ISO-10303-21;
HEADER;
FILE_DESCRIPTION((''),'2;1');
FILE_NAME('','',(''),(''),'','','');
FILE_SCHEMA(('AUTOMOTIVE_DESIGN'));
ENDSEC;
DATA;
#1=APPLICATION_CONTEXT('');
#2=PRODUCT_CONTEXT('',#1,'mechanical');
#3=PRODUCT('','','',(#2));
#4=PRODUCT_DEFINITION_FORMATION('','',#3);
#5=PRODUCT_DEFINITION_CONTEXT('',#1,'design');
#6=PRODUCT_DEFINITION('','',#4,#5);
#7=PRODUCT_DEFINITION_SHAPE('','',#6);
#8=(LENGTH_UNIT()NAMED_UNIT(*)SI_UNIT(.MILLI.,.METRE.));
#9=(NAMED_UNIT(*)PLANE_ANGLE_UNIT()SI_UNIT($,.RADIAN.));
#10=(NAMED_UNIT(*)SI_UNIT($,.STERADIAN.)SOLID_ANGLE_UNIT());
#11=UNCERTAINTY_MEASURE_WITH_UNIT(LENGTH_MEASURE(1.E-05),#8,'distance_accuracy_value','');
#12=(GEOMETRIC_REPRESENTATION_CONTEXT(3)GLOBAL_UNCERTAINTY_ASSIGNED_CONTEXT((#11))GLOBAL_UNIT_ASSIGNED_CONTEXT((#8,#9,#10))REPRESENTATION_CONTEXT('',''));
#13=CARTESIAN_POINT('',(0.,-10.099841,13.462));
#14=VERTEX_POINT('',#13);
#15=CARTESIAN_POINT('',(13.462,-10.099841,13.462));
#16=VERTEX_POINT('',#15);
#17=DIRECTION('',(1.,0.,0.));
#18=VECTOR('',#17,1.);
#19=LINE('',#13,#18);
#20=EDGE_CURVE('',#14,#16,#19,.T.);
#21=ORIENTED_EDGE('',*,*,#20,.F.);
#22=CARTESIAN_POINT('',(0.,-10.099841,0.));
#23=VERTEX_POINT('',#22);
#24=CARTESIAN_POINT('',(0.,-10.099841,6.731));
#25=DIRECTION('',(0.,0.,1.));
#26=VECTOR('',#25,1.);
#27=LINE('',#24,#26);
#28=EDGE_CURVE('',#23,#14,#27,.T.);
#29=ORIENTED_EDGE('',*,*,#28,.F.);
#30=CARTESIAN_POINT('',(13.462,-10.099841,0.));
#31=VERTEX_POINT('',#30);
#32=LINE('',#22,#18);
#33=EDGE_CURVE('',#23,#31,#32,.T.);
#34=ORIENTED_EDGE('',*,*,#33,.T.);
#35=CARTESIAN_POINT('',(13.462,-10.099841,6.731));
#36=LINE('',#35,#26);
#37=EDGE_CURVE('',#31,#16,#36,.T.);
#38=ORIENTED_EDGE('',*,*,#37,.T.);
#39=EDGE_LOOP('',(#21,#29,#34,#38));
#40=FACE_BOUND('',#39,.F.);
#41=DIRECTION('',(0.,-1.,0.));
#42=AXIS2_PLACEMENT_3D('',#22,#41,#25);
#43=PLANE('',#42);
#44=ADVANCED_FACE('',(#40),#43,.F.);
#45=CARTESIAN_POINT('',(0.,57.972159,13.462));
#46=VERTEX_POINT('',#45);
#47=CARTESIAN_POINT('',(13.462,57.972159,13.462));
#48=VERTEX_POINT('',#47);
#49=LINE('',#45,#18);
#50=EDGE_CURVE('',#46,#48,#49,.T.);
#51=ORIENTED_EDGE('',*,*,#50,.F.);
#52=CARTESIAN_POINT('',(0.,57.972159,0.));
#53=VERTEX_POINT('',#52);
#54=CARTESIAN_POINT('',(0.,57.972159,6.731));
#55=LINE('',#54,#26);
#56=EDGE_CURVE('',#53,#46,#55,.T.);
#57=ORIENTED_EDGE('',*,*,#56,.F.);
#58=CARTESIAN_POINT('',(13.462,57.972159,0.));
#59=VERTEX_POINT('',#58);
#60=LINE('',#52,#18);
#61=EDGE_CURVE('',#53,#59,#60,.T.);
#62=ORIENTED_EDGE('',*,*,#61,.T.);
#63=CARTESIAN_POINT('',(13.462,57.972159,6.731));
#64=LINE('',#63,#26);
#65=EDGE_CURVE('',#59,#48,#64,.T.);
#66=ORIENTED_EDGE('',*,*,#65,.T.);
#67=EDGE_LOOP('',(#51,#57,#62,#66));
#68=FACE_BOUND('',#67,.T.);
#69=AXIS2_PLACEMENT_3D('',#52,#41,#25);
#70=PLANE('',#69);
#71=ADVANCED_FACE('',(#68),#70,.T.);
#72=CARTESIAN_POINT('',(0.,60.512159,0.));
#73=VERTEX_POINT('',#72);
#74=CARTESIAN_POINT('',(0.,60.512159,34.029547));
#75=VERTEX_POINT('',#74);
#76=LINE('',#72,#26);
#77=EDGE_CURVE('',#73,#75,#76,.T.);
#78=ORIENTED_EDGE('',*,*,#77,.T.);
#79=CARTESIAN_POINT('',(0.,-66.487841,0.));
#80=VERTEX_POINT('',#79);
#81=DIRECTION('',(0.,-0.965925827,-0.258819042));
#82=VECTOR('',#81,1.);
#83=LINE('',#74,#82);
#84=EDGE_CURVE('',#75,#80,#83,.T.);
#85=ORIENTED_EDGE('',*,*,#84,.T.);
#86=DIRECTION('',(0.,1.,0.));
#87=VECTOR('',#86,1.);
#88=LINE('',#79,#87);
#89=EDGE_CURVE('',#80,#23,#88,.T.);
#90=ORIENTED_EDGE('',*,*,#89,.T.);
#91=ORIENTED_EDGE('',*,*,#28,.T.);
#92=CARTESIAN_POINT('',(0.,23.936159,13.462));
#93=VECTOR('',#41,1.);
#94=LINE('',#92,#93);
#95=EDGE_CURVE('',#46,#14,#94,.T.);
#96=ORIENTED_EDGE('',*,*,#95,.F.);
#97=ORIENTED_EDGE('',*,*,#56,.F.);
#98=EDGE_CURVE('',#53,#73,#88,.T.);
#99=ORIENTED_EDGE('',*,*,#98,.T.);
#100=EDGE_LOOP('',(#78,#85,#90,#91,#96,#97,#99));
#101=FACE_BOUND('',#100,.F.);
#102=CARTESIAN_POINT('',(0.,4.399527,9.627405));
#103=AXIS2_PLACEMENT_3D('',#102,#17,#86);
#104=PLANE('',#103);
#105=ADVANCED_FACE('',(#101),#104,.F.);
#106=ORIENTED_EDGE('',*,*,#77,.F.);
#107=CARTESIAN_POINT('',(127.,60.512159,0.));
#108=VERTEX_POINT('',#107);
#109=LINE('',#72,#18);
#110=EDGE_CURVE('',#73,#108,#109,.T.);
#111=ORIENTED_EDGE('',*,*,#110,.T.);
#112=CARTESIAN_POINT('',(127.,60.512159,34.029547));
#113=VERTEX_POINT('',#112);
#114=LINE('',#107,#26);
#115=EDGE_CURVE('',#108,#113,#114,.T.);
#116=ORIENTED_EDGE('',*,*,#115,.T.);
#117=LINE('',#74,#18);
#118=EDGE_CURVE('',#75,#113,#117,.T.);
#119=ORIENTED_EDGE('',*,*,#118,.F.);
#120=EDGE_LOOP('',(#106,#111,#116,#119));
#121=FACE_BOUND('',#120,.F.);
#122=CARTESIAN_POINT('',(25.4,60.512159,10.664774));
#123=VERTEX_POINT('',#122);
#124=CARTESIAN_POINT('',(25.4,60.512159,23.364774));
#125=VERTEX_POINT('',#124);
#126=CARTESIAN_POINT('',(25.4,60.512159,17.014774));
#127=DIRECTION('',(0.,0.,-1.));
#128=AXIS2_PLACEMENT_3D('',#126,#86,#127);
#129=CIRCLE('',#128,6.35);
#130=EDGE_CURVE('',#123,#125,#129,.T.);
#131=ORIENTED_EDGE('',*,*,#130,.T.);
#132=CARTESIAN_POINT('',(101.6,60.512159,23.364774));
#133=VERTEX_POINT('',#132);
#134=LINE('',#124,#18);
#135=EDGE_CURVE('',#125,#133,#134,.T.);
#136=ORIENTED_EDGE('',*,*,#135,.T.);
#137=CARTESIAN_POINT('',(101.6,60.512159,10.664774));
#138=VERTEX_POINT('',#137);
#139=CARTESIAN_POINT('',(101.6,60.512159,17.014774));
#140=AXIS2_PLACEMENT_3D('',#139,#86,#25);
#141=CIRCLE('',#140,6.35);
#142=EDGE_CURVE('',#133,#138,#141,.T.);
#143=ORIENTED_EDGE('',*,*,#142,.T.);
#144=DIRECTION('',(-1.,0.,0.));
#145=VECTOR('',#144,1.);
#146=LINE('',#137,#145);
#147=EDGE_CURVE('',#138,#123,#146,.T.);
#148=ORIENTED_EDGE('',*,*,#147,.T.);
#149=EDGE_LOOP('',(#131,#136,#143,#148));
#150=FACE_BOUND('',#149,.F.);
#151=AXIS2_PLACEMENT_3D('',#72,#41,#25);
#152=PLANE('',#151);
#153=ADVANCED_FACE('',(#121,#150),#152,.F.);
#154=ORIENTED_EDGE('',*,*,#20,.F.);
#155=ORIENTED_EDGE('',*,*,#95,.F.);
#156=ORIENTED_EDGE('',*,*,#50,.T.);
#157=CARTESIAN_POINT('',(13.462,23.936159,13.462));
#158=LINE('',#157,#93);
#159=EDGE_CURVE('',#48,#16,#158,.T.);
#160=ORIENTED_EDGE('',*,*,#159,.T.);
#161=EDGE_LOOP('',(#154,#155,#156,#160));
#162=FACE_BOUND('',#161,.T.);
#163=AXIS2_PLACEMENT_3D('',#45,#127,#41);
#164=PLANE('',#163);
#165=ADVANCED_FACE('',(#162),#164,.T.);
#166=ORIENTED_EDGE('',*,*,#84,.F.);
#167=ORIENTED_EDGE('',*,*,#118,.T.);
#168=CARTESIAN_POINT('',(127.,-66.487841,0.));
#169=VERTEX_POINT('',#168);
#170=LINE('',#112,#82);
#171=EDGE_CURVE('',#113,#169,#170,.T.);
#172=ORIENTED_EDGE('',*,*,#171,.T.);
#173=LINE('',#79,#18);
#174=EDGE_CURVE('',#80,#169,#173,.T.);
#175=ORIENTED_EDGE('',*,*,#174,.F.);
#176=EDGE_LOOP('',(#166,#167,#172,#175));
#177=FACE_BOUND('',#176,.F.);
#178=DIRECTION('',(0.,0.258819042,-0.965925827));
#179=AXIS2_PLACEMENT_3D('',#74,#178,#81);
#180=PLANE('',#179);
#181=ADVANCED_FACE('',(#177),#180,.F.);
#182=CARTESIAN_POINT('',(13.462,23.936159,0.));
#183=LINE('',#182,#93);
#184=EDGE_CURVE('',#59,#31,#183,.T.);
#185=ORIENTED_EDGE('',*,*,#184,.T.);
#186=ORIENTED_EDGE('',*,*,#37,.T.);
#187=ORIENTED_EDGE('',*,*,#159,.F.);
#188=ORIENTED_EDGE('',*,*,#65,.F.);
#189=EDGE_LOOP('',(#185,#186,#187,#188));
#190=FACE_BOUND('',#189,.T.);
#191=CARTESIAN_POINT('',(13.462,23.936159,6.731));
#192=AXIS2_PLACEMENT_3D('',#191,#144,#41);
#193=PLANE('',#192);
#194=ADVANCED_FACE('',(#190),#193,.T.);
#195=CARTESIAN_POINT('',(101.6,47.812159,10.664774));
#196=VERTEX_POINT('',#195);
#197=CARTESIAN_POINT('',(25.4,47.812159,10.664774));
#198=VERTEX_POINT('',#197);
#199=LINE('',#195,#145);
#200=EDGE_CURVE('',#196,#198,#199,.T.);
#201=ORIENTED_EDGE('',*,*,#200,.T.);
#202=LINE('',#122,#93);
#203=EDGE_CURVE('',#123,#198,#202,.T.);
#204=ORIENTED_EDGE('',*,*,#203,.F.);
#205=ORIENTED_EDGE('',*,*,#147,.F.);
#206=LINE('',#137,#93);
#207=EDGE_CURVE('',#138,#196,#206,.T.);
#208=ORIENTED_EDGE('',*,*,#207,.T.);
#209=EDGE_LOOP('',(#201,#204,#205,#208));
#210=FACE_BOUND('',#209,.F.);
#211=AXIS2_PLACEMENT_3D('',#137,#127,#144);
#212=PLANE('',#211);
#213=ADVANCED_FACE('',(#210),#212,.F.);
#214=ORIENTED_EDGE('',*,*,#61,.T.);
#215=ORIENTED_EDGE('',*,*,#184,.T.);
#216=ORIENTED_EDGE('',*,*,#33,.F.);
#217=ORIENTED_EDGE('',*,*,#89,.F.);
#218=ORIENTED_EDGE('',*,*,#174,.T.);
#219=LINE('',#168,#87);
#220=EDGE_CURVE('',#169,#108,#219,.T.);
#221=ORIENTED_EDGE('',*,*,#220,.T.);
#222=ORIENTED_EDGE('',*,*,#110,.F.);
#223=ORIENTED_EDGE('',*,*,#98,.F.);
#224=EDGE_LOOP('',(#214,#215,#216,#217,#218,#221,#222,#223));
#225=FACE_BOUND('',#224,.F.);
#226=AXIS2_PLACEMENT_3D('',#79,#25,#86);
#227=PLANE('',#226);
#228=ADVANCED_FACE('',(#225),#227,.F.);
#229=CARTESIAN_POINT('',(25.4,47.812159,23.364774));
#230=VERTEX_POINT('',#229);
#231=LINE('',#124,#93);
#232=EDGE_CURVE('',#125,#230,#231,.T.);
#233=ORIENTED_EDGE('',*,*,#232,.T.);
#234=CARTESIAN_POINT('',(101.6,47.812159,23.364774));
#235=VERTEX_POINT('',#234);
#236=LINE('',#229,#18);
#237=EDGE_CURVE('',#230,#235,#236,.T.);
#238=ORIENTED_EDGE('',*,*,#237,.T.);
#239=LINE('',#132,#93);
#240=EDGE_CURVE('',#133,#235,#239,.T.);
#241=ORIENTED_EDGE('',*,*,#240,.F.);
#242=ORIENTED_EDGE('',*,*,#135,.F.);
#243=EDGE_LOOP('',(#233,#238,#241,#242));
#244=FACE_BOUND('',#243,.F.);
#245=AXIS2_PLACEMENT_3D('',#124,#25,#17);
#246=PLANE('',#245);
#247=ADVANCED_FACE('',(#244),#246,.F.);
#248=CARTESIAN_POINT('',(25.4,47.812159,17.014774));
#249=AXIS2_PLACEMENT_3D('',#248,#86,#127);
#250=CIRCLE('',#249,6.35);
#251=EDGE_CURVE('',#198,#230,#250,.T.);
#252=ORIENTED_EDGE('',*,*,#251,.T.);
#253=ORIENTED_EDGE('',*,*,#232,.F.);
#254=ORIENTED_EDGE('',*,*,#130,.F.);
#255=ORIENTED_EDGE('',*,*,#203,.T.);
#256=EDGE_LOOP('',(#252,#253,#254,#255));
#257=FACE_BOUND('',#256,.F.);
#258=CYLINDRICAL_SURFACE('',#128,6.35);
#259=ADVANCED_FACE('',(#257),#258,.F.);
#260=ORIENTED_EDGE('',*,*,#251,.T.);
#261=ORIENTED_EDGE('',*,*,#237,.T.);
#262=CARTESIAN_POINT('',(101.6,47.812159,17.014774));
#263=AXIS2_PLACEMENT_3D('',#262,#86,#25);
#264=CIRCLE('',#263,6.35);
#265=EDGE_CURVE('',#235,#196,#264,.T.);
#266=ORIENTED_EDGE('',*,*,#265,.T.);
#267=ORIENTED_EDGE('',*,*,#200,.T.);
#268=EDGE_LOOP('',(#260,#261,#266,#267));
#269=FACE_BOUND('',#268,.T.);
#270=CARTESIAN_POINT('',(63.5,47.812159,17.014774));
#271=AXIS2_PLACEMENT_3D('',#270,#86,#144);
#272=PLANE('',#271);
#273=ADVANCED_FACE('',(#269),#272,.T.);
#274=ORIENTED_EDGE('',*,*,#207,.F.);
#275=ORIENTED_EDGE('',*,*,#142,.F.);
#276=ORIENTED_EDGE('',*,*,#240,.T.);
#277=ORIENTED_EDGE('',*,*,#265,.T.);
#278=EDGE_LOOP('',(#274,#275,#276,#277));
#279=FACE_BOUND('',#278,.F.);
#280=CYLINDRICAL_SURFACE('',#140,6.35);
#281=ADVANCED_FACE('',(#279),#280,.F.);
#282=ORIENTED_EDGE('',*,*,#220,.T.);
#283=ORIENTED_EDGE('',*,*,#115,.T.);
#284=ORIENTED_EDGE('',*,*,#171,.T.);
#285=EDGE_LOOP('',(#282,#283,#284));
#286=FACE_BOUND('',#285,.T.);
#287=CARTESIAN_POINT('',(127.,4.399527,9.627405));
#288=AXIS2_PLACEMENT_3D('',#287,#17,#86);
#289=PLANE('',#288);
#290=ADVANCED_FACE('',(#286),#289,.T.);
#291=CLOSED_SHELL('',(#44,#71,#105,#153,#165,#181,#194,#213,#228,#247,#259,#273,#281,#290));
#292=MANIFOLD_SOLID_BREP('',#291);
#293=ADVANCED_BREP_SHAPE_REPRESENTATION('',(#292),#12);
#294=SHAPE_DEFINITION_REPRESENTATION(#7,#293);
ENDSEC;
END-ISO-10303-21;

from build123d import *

# Parameters (mm, degrees)
F1_DEPTH = 127
F2_W     = 68.072
F2_H     = 13.462
F3_DEPTH = 13.462
F5_DEPTH = 12.7


with BuildPart() as f1:
    # F0 (on Right) → F1 (new body)
    with BuildSketch(Plane.YZ):
        Polygon((60.512159, 34.029547), (-66.487841, 0), (60.512159, 0), align=None)
    extrude(amount=F1_DEPTH)

    # F2 (on face) → F3 (cut)
    with BuildSketch(Plane(origin=(0, 0, 0), x_dir=(0, -1, 0), z_dir=(-1, 0, 0))):
        with Locations((-23.936159, 6.731)):
            Rectangle(F2_W, F2_H)
    extrude(amount=-F3_DEPTH, mode=Mode.SUBTRACT)

    # F4 (on face) → F5 (cut)
    with BuildSketch(Plane(origin=(0, 60.512159, 0), x_dir=(-1, 0, 0), z_dir=(0, 1, 0))):
        with BuildLine():
            ThreePointArc((-101.6, 23.364774), (-107.95, 17.014774), (-101.6, 10.664774))
            Line((-101.6, 10.664774), (-25.4, 10.664774))
            ThreePointArc((-25.4, 10.664774), (-19.05, 17.014774), (-25.4, 23.364774))
            Line((-25.4, 23.364774), (-101.6, 23.364774))
        make_face()
    extrude(amount=-F5_DEPTH, mode=Mode.SUBTRACT)


solid = f1.part
